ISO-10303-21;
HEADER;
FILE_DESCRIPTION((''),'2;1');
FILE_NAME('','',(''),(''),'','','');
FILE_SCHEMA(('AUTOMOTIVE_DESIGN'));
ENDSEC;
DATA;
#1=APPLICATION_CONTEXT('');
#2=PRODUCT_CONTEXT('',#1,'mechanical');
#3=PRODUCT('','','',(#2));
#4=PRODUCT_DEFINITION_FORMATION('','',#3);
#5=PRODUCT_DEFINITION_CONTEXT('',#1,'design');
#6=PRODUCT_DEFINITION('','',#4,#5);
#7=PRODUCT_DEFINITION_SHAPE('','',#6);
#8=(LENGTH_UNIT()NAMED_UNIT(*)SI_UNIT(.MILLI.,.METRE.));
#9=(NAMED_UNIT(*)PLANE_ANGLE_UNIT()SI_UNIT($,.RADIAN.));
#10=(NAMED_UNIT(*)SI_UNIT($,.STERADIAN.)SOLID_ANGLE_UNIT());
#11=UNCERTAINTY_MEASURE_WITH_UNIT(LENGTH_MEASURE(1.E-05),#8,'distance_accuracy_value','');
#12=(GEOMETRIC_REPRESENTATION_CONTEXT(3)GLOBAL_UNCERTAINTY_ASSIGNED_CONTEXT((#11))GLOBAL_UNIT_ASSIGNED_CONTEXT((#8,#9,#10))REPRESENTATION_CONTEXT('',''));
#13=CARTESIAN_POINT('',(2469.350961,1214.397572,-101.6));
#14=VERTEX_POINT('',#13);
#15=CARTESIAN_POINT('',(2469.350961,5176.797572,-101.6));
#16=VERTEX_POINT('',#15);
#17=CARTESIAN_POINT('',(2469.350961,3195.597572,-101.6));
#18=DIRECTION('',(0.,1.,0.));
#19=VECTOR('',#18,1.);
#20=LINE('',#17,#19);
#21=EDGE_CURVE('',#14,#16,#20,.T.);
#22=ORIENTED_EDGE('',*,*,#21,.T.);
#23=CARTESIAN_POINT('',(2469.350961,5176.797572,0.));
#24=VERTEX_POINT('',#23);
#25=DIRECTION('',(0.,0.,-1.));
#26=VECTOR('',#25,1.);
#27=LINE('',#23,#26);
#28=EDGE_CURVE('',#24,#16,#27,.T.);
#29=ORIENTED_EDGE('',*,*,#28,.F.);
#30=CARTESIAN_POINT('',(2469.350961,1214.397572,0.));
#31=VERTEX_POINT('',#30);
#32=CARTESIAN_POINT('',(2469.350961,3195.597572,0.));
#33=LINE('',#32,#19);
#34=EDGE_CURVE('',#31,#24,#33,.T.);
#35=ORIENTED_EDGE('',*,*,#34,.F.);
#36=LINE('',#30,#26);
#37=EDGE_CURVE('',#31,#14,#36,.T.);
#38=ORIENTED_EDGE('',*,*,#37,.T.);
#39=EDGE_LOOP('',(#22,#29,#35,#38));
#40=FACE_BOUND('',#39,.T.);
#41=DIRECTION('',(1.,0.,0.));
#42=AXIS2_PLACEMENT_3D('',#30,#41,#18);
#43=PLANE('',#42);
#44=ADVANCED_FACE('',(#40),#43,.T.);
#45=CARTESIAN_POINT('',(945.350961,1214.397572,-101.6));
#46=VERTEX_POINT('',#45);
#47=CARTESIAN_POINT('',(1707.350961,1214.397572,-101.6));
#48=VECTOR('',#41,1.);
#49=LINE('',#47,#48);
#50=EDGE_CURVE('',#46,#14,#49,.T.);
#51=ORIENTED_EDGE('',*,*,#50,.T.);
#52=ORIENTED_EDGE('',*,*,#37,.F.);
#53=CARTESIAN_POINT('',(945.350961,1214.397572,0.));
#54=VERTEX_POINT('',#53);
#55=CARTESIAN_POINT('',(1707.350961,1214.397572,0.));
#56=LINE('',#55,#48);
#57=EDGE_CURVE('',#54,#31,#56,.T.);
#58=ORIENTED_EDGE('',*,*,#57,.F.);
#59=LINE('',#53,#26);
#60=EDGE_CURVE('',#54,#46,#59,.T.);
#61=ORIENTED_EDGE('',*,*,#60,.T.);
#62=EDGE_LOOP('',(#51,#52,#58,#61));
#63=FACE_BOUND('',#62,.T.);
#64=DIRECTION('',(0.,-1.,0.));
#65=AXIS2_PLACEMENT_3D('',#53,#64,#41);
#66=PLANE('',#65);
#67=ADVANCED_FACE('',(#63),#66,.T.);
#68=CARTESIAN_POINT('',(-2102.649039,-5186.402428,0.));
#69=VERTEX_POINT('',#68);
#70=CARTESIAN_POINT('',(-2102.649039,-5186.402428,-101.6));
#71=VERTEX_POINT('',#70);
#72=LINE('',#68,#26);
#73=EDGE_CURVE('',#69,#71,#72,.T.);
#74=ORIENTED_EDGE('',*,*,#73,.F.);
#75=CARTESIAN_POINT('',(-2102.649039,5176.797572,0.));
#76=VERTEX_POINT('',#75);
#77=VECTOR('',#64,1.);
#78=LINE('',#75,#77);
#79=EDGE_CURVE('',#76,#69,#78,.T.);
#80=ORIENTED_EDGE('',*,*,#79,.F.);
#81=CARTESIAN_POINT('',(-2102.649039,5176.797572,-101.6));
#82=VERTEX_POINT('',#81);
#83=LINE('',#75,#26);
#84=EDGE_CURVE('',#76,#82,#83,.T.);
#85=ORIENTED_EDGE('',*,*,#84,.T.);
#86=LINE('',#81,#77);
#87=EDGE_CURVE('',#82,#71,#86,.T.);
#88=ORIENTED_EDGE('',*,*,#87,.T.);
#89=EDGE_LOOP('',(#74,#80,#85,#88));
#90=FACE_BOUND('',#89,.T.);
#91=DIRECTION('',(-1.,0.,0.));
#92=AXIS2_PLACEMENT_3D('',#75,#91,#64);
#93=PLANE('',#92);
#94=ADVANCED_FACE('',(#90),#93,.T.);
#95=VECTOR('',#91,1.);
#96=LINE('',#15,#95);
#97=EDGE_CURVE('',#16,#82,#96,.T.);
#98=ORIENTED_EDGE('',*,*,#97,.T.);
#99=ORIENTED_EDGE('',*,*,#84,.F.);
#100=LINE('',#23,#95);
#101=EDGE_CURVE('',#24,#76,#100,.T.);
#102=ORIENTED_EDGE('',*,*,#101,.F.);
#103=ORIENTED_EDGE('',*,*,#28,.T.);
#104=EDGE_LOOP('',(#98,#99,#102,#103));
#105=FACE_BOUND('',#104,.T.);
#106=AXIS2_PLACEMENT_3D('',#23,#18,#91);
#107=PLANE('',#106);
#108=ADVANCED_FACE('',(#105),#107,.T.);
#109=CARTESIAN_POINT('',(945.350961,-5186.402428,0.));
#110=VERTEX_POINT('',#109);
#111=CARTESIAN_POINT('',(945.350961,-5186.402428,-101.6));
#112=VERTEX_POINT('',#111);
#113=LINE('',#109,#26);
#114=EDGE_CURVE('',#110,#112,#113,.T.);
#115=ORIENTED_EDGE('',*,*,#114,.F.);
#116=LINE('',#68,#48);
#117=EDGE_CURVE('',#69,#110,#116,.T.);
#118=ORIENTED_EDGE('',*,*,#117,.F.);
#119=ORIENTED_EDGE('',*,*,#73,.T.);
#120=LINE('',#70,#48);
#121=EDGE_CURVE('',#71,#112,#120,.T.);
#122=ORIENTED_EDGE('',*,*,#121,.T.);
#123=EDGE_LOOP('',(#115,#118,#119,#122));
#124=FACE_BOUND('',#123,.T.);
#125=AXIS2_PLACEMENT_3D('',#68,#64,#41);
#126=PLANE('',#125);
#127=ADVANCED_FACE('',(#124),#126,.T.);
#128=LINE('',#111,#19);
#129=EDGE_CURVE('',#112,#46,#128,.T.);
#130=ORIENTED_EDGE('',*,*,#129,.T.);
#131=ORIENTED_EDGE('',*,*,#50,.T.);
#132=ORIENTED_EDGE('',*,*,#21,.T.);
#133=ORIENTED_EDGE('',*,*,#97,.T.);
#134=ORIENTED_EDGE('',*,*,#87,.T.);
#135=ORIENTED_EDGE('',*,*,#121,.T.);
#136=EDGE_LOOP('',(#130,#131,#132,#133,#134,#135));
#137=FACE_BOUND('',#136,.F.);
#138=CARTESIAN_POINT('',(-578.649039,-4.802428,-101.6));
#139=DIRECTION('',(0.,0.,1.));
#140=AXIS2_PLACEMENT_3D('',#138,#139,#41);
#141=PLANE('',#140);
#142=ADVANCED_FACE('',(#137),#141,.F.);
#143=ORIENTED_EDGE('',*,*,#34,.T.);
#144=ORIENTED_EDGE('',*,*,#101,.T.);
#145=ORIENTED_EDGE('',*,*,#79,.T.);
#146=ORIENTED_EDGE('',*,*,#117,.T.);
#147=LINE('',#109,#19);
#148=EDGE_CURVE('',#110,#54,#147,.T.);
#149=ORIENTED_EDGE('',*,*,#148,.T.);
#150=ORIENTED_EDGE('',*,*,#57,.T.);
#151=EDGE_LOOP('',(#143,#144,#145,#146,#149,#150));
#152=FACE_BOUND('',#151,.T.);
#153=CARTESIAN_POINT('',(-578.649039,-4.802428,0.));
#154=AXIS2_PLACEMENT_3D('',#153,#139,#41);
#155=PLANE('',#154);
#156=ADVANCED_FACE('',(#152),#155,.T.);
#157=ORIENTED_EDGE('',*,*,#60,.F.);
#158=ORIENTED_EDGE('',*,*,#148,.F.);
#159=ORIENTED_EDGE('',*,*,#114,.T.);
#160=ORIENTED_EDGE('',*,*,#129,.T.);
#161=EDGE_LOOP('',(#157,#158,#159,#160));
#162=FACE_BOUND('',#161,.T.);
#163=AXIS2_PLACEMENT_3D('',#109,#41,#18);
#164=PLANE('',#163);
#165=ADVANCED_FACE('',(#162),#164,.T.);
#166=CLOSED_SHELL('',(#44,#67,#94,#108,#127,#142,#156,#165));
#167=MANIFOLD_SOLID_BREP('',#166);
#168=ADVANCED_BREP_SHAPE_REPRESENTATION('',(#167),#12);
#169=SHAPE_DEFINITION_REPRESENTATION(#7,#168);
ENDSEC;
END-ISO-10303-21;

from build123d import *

# Parameters (mm, degrees)
F0_W     = 1524
F0_H     = 3962.4
F1_DEPTH = 101.6


with BuildPart() as f1:
    # F0 (on Top) → F1 (new body)
    with BuildSketch(Plane.XY):
        Polygon((-2102.649039, 5176.797572), (-2102.649039, -5186.402428), (945.350961, -5186.402428), (945.350961, 1214.397572), (945.350961, 5176.797572), align=None)
        with Locations((1707.350961, 3195.597572)):
            Rectangle(F0_W, F0_H)
    extrude(amount=-F1_DEPTH)


solid = f1.part
